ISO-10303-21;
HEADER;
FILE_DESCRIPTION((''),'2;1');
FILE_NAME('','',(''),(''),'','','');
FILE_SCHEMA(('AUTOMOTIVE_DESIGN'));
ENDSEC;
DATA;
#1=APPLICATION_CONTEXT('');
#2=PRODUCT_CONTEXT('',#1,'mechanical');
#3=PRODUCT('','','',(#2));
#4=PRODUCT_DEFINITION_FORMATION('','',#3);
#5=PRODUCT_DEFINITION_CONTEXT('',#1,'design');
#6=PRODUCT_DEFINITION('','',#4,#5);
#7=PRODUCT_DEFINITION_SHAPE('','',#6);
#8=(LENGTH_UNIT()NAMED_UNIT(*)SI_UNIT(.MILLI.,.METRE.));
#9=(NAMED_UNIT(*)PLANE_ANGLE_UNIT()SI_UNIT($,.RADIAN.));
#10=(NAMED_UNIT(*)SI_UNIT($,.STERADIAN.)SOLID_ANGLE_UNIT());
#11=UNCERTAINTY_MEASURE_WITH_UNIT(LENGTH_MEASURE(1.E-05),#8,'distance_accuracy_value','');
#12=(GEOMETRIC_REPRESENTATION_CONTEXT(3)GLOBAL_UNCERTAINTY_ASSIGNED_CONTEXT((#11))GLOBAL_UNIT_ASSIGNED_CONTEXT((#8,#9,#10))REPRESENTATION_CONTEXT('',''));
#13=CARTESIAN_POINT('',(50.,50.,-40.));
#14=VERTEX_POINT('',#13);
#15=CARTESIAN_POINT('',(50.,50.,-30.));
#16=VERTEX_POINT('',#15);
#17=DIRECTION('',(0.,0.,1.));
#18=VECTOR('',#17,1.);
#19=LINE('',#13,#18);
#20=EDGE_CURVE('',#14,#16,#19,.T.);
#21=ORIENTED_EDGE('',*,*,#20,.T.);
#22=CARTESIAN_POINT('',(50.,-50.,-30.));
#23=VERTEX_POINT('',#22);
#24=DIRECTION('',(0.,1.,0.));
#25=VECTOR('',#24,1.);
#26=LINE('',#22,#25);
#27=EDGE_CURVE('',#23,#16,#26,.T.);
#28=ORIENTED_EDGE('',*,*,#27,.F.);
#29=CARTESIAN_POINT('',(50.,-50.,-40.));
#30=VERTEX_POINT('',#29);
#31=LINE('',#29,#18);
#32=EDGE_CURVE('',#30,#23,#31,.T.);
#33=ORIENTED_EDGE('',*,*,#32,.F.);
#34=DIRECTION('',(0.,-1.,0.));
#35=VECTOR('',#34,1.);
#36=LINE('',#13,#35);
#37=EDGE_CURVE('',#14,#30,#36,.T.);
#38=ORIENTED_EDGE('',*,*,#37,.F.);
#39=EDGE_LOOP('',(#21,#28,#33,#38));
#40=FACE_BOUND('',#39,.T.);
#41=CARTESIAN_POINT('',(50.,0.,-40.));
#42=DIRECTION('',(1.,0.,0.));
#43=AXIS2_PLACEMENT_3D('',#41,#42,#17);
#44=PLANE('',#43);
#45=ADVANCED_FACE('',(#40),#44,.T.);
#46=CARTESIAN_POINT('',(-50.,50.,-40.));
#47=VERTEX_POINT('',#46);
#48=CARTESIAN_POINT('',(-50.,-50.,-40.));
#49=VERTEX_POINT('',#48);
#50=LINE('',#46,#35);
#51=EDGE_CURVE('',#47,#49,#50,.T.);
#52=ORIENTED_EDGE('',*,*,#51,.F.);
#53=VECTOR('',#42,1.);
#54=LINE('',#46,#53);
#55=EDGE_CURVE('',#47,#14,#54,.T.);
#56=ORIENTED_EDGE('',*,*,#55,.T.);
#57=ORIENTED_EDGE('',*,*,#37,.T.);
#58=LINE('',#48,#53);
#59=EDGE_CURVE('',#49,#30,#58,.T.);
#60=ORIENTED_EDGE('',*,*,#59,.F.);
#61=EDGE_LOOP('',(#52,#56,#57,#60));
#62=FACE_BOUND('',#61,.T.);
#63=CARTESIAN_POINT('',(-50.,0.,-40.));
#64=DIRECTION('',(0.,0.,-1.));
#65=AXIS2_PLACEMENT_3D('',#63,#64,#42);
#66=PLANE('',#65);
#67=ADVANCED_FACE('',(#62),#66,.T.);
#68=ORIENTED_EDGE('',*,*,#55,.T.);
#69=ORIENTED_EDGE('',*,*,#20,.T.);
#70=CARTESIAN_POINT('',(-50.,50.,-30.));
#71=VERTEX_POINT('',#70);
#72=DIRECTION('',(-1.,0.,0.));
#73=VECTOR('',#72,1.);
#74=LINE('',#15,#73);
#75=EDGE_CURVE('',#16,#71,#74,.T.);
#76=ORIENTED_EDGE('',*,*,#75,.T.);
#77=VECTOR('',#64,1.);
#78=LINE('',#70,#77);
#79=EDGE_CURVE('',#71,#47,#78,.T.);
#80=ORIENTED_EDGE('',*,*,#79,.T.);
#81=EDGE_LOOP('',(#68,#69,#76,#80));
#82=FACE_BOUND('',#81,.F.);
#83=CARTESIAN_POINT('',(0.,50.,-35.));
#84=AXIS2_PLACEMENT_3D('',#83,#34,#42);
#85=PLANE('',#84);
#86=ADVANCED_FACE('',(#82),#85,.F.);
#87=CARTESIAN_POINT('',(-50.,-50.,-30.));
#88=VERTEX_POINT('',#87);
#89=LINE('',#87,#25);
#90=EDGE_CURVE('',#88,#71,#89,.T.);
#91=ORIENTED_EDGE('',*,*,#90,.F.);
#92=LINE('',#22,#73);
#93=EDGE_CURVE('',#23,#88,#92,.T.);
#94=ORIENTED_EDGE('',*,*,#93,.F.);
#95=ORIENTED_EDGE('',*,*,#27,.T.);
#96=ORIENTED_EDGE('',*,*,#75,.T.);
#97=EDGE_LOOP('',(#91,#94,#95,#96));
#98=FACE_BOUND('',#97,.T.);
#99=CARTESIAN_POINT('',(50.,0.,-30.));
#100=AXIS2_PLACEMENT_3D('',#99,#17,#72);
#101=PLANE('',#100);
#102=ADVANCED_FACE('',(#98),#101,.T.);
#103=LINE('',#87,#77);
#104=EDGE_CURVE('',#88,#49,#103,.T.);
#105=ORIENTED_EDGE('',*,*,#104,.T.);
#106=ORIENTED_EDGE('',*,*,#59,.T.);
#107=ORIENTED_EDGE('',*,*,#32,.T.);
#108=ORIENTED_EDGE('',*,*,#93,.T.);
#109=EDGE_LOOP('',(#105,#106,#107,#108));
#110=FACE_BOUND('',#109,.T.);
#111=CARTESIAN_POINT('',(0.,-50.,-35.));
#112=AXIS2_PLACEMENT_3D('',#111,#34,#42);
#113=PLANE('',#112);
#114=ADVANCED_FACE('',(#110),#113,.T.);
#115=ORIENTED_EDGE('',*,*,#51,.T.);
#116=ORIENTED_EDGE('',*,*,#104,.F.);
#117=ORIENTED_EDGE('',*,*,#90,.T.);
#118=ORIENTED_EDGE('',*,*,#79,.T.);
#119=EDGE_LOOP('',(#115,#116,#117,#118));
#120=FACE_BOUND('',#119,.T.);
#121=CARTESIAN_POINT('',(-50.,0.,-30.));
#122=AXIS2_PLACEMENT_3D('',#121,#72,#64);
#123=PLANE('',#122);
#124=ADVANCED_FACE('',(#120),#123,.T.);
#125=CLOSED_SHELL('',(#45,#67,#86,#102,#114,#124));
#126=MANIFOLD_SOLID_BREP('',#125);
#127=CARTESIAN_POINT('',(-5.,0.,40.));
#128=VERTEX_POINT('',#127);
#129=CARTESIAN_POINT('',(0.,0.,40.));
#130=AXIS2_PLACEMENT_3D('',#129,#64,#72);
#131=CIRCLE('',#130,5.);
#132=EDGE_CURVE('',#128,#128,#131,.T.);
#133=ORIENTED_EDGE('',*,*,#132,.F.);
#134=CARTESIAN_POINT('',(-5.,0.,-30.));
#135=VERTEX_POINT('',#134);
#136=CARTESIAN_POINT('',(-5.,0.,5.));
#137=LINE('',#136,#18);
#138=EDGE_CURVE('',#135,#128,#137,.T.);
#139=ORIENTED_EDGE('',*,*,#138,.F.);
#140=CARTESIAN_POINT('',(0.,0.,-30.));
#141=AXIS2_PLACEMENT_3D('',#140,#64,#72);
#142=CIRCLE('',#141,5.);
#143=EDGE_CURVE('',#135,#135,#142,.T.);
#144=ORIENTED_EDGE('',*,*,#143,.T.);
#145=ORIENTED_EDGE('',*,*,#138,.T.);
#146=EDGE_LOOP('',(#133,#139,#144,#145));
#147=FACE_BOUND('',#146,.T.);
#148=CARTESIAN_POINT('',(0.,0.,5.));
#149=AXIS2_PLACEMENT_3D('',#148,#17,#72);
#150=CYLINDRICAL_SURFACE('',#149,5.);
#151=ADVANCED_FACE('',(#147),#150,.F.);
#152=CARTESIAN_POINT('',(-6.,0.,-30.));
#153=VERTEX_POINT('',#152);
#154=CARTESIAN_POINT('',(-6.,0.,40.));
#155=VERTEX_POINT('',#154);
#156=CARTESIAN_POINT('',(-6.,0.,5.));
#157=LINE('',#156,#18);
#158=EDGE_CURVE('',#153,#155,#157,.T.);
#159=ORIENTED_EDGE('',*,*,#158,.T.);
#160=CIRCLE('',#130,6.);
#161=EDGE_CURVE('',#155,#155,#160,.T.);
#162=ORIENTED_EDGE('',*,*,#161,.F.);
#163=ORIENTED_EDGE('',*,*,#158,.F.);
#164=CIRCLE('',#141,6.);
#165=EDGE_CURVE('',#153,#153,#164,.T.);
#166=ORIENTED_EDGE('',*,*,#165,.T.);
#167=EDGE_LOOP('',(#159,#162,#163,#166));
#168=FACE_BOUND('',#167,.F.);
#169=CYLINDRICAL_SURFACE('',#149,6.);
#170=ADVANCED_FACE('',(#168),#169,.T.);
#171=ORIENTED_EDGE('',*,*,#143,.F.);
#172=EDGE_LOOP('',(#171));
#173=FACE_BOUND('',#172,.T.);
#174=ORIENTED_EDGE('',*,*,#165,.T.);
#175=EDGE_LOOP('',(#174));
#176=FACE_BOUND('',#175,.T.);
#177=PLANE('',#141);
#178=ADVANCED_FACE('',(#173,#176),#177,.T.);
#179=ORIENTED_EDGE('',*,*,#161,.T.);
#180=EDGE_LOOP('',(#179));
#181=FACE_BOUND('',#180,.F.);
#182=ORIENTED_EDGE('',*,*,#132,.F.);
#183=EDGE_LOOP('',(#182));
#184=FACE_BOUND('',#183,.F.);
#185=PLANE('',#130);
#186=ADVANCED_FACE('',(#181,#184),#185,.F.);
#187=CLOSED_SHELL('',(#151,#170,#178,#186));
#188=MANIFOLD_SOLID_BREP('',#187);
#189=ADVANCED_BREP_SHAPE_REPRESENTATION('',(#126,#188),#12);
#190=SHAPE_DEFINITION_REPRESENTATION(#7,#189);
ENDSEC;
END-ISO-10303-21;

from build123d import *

# Parameters (mm, degrees)
F1_DEPTH = 50
F0_W     = 1
F0_H     = 70


with BuildPart() as f1:
    # F0 (on Front) → F1 (new body, symmetric)
    with BuildSketch(Plane.XZ):
        Polygon((-6, -30), (-50, -30), (-50, -40), (50, -40), (50, -30), (-5, -30), align=None)
    extrude(amount=F1_DEPTH, both=True)


with BuildPart() as f2:
    # F0 (on Front) → F2 (revolve)
    with BuildSketch(Plane.XZ):
        with Locations((-5.5, 5)):
            Rectangle(F0_W, F0_H)
    revolve(axis=Axis((0, 0, 2.372671), (0, 0, -1)))


solid = Compound([f1.part, f2.part])
